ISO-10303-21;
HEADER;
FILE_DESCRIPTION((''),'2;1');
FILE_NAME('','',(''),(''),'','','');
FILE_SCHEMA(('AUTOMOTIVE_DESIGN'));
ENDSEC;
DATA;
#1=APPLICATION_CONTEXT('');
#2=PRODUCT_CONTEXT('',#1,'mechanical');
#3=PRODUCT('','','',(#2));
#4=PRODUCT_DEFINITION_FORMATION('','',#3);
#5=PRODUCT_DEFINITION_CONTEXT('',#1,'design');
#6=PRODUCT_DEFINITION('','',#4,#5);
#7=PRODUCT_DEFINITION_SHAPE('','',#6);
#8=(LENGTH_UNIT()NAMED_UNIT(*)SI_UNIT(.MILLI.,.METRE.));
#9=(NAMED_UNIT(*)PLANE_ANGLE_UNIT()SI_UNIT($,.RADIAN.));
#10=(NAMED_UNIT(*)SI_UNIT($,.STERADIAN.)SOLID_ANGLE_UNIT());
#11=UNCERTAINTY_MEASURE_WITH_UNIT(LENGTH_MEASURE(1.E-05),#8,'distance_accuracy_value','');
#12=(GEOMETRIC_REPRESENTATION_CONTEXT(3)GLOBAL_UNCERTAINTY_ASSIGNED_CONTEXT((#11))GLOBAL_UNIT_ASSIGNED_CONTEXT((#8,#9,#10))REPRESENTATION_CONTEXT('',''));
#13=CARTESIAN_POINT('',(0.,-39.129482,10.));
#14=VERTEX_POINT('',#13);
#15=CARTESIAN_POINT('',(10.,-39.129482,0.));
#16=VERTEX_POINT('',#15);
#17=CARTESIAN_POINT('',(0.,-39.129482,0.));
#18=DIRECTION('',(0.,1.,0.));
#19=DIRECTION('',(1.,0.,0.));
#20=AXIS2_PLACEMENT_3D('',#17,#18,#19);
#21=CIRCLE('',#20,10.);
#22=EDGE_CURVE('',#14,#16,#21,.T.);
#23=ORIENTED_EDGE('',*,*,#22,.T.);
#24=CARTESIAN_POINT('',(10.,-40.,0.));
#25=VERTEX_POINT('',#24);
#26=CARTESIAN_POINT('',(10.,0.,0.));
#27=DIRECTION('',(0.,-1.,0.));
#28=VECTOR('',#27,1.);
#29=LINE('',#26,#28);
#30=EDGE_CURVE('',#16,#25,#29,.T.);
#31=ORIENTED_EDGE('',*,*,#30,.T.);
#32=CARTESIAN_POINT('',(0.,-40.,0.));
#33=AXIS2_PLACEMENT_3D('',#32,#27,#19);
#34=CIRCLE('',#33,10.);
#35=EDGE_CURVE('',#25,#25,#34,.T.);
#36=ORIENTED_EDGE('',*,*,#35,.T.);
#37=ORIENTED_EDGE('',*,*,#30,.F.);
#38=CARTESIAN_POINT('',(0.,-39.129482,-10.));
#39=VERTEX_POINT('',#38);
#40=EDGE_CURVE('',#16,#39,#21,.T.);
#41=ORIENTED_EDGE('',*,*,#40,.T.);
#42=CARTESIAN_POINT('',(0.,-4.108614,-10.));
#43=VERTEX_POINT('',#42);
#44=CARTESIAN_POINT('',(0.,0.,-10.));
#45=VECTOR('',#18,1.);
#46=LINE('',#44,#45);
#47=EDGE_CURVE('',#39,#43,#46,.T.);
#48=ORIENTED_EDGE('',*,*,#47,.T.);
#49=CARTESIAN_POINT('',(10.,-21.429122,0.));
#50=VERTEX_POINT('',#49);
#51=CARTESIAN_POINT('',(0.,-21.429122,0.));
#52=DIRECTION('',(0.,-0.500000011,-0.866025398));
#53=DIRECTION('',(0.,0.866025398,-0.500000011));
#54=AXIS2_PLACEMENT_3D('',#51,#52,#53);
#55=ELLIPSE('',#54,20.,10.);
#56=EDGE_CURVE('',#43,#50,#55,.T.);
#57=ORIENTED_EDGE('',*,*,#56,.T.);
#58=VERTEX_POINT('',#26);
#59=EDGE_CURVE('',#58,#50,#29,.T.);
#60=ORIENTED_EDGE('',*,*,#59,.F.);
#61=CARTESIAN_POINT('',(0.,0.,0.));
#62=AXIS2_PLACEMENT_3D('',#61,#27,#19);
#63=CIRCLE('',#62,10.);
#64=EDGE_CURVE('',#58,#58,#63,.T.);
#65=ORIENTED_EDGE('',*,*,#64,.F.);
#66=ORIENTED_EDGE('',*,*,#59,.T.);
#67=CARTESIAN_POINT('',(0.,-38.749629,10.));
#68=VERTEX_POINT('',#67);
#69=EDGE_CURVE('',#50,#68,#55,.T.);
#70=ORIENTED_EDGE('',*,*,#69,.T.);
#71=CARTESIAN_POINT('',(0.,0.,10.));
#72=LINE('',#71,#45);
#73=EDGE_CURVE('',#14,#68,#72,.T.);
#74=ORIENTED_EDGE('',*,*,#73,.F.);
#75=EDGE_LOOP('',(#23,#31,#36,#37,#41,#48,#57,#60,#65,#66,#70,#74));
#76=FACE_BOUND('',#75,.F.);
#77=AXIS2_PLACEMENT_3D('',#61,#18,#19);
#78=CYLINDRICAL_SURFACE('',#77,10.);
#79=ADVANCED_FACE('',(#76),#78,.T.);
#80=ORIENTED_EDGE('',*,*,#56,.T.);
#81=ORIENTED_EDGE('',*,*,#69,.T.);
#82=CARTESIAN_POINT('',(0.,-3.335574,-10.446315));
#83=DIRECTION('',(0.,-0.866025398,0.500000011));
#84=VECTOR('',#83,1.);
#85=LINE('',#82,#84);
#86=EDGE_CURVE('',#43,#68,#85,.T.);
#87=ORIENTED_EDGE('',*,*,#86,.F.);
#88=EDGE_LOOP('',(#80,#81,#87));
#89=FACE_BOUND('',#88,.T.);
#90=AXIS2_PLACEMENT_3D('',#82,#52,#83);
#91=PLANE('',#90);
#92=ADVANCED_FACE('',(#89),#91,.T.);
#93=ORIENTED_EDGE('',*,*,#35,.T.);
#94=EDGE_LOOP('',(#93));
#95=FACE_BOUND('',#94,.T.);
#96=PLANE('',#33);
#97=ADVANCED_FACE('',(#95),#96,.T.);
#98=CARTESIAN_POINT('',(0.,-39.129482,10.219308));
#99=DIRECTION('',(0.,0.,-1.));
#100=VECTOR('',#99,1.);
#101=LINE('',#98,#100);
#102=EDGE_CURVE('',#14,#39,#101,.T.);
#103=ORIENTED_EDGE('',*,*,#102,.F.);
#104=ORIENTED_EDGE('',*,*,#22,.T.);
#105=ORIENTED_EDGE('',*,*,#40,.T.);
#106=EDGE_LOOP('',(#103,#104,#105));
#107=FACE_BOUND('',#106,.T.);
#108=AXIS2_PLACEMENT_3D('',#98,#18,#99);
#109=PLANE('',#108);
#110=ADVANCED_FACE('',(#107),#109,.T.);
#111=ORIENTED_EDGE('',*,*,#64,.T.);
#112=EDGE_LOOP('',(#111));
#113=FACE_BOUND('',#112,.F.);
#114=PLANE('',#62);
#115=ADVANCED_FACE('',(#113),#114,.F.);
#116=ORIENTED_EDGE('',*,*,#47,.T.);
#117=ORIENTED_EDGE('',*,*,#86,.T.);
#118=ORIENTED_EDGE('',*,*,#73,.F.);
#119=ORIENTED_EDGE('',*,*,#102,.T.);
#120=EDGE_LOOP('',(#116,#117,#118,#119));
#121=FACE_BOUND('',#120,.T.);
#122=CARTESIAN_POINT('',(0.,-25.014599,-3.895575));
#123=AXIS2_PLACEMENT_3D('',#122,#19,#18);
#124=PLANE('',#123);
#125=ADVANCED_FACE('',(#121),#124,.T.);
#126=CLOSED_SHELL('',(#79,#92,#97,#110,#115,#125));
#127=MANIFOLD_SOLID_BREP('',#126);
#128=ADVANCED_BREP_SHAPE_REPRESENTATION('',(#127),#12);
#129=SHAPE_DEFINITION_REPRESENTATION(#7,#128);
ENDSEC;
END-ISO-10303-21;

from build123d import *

# Parameters (mm, degrees)
F0_R     = 10
F1_DEPTH = 40
F4_DEPTH = 80


with BuildPart() as f1:
    # F0 (on Front) → F1 (new body)
    with BuildSketch(Plane.XZ):
        Circle(F0_R)
    extrude(amount=F1_DEPTH)

    # F3 (on Right) → F4 (cut)
    with BuildSketch(Plane.YZ):
        Polygon((-3.335574, -10.446315), (-39.129482, 10.219308), (-39.129482, -10.446315), align=None)
    extrude(amount=F4_DEPTH, mode=Mode.SUBTRACT)


solid = f1.part
